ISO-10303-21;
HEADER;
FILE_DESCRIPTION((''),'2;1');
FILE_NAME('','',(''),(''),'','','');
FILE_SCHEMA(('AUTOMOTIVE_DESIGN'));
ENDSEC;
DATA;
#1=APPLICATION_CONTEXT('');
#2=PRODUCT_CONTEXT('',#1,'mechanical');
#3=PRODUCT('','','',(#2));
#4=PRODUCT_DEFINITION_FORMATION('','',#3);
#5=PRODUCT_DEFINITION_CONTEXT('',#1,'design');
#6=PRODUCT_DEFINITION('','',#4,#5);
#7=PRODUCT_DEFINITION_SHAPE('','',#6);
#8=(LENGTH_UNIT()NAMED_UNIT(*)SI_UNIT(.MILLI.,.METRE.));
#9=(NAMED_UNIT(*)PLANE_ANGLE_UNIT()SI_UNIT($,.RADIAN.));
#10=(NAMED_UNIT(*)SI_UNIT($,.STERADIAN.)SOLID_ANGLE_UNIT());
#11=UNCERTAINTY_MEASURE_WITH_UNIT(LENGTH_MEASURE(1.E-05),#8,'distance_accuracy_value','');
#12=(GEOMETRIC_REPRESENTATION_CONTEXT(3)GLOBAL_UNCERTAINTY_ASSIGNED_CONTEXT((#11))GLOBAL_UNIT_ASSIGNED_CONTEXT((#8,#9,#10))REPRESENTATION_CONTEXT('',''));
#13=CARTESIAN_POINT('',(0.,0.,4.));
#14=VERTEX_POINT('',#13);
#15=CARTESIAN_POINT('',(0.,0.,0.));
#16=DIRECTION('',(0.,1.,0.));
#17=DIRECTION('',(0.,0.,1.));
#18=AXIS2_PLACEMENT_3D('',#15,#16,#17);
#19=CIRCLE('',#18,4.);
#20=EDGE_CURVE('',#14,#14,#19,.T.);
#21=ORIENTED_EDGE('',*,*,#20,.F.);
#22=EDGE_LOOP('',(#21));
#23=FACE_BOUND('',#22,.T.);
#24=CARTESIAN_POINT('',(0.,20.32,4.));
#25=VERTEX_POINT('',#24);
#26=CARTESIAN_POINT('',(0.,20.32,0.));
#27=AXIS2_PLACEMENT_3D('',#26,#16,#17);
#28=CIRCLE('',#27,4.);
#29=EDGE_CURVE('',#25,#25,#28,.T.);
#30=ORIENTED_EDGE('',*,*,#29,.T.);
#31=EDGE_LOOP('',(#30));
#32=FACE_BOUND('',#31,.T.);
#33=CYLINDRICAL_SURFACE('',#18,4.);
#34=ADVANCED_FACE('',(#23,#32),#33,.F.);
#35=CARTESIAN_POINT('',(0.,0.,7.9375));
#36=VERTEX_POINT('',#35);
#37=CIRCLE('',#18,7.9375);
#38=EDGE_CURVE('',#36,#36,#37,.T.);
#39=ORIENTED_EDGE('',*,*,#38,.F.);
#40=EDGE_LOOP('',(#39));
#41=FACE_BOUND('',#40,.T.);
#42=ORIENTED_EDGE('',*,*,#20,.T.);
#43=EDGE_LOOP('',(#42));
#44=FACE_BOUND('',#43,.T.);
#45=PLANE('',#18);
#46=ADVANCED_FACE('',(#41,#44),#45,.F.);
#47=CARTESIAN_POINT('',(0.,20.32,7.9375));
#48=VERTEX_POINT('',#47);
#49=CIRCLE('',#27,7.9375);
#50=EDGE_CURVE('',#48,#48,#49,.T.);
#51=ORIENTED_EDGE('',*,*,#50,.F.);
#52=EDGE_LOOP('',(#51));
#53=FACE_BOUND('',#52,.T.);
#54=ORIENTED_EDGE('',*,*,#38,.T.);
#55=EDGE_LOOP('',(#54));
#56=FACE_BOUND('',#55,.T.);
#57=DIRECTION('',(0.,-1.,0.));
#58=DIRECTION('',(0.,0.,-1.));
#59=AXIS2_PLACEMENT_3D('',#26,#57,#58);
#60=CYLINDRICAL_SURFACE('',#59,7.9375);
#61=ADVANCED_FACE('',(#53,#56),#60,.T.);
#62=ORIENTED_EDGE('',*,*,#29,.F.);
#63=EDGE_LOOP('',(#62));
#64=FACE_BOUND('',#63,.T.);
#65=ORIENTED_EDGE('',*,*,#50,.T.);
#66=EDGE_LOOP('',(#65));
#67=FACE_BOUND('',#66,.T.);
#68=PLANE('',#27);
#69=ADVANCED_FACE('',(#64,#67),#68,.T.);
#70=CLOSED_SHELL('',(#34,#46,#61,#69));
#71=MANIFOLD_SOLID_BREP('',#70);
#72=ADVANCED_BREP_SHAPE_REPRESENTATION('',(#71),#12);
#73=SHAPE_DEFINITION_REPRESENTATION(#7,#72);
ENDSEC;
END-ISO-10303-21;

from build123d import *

# Parameters (mm, degrees)
SKETCH1_R           = 7.9375
BOSS_EXTRUDE1_DEPTH = 20.32
SKETCH3_R           = 4
CUT_EXTRUDE2_DEPTH  = 24.214439741


with BuildPart() as part:
    # Sketch1 → Boss-Extrude1 (new body)
    with BuildSketch(Plane(origin=(0, 0, 0), x_dir=(1, 0, 0), z_dir=(0, 1, 0))):
        with Locations(Location((0, 0, 0), (0, 0, 270))):
            Circle(SKETCH1_R)
    extrude(amount=BOSS_EXTRUDE1_DEPTH)

    # Sketch3 → Cut-Extrude2 (cut, through all)
    with BuildSketch(Plane(origin=(0, 20.32, 0), x_dir=(1, 0, 0), z_dir=(0, 1, 0))):
        with Locations(Location((0, 0, 0), (0, 0, 270))):
            Circle(SKETCH3_R)
    extrude(amount=-CUT_EXTRUDE2_DEPTH, mode=Mode.SUBTRACT)


solid = part.part
